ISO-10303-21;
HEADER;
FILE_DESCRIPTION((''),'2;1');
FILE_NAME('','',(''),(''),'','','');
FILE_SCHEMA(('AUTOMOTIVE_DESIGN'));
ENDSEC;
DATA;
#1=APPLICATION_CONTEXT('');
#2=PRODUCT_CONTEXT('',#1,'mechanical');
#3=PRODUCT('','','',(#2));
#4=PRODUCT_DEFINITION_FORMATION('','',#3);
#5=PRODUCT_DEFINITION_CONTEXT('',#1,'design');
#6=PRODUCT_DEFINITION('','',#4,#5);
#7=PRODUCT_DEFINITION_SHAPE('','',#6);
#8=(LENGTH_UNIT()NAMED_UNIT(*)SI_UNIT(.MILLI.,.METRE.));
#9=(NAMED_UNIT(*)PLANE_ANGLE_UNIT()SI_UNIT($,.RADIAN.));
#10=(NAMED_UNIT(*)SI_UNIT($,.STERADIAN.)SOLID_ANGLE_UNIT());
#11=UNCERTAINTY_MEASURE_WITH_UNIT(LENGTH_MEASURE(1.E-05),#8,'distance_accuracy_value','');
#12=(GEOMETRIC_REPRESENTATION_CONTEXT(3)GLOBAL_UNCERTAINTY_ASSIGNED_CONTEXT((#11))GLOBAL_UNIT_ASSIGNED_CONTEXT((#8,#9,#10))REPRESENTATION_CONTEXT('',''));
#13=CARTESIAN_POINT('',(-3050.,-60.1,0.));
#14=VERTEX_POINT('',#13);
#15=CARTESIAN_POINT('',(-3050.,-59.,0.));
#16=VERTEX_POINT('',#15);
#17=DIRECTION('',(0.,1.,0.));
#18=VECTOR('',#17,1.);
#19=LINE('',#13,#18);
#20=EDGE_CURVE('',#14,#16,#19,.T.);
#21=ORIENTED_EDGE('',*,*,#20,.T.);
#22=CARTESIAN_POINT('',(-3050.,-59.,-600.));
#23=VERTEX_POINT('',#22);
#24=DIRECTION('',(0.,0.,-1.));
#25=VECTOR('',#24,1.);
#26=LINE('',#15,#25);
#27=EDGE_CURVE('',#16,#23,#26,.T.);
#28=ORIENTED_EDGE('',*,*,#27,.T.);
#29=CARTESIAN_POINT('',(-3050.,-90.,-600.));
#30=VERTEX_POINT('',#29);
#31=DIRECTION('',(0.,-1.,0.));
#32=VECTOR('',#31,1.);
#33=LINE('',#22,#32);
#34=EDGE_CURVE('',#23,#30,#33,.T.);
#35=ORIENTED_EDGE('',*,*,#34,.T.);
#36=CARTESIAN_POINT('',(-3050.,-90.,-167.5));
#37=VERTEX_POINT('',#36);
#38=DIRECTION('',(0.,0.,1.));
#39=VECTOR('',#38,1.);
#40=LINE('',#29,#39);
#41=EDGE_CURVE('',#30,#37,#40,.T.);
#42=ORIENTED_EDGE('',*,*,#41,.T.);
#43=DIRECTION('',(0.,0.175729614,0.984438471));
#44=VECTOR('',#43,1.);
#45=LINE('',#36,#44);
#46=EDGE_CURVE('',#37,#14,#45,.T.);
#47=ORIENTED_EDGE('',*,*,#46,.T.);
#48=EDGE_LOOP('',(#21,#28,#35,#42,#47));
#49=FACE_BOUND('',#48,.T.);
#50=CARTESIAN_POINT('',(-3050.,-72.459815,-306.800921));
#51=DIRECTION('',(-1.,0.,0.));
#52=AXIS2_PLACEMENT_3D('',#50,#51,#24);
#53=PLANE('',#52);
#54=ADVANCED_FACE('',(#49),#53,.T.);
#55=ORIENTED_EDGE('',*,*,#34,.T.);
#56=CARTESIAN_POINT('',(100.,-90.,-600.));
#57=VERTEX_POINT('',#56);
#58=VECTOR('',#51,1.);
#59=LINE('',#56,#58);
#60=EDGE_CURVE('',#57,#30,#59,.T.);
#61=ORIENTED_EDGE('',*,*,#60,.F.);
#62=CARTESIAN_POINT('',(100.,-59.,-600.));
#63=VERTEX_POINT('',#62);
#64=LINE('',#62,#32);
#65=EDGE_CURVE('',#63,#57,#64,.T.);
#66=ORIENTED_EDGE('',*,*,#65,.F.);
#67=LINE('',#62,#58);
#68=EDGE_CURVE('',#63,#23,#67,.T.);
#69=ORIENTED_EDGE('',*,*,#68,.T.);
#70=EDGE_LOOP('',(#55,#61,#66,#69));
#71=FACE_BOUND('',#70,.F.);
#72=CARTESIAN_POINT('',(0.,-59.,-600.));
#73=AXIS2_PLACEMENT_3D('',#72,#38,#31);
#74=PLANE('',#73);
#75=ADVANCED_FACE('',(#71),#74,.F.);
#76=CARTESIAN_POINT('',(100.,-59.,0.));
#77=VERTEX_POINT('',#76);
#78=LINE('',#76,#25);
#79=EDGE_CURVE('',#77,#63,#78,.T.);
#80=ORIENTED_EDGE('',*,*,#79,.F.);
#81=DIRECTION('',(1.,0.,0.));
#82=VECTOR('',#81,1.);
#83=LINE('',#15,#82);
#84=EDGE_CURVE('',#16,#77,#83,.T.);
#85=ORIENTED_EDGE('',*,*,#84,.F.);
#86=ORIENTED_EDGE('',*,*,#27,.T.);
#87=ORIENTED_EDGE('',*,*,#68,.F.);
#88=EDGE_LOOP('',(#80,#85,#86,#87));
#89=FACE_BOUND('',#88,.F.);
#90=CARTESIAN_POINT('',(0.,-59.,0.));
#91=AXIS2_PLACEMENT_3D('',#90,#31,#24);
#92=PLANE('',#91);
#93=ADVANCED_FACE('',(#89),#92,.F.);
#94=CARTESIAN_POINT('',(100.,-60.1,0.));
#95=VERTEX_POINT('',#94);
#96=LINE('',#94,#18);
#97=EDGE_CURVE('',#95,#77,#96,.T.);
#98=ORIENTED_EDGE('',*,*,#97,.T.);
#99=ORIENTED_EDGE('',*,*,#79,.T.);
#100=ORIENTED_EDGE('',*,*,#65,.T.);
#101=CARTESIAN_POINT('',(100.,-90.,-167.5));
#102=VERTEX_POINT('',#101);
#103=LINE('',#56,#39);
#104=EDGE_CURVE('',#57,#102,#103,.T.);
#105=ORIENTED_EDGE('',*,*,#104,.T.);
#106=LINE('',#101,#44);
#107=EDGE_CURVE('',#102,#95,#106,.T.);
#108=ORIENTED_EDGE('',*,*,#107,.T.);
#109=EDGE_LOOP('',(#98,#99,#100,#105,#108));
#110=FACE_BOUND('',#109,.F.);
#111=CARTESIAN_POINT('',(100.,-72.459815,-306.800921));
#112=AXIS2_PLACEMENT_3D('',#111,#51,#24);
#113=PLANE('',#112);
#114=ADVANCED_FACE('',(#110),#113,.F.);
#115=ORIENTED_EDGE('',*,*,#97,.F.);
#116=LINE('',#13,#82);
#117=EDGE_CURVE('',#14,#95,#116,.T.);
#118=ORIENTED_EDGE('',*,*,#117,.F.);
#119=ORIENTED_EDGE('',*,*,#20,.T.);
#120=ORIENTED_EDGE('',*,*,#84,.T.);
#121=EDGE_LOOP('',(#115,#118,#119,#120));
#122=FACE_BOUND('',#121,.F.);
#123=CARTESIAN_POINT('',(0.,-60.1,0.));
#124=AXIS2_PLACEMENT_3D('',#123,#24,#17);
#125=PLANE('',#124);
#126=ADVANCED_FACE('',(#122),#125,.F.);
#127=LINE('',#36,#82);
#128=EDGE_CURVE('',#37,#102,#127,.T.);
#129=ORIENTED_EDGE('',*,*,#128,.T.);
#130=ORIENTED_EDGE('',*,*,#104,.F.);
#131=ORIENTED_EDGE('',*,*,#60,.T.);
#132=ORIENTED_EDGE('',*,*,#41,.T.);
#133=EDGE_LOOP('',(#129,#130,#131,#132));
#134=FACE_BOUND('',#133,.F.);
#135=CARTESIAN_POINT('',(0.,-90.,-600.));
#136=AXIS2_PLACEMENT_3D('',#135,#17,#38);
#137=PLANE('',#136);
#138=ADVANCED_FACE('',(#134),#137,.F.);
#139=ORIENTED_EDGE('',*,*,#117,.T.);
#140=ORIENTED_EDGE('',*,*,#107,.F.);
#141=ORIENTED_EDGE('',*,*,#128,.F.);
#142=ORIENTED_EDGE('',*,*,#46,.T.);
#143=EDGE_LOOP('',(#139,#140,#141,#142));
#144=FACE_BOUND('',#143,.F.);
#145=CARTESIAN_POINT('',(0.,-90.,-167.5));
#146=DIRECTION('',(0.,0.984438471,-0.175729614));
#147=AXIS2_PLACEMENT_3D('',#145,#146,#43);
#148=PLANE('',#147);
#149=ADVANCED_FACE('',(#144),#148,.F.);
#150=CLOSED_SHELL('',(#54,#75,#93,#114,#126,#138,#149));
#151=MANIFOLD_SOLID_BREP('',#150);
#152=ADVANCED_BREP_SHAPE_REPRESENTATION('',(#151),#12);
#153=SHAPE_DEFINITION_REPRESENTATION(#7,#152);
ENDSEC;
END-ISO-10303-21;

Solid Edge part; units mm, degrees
sketch "Sketch1" plane through (0, 0, 0) normal (1, 0, 0) x (0, 1, 0)
  line L0 (-59, 0) -> (-59, -600)
  line L1 (-59, -600) -> (-90, -600)
  line L2 (-90, -600) -> (-90, -167.5)
  line L3 (-90, -167.5) -> (-60.1, 0)
  line L4 (-60.1, 0) -> (-59, 0)
  dimension "D1" = 1.1
  dimension "D2" = 31
  dimension "D3" = 167.5
  dimension "D4" = 600
  dimension "D5" = 59
extrude "Diam" add sketch "Sketch1" against normal blind 3050 and the other way blind 100
properties material "Acier"
